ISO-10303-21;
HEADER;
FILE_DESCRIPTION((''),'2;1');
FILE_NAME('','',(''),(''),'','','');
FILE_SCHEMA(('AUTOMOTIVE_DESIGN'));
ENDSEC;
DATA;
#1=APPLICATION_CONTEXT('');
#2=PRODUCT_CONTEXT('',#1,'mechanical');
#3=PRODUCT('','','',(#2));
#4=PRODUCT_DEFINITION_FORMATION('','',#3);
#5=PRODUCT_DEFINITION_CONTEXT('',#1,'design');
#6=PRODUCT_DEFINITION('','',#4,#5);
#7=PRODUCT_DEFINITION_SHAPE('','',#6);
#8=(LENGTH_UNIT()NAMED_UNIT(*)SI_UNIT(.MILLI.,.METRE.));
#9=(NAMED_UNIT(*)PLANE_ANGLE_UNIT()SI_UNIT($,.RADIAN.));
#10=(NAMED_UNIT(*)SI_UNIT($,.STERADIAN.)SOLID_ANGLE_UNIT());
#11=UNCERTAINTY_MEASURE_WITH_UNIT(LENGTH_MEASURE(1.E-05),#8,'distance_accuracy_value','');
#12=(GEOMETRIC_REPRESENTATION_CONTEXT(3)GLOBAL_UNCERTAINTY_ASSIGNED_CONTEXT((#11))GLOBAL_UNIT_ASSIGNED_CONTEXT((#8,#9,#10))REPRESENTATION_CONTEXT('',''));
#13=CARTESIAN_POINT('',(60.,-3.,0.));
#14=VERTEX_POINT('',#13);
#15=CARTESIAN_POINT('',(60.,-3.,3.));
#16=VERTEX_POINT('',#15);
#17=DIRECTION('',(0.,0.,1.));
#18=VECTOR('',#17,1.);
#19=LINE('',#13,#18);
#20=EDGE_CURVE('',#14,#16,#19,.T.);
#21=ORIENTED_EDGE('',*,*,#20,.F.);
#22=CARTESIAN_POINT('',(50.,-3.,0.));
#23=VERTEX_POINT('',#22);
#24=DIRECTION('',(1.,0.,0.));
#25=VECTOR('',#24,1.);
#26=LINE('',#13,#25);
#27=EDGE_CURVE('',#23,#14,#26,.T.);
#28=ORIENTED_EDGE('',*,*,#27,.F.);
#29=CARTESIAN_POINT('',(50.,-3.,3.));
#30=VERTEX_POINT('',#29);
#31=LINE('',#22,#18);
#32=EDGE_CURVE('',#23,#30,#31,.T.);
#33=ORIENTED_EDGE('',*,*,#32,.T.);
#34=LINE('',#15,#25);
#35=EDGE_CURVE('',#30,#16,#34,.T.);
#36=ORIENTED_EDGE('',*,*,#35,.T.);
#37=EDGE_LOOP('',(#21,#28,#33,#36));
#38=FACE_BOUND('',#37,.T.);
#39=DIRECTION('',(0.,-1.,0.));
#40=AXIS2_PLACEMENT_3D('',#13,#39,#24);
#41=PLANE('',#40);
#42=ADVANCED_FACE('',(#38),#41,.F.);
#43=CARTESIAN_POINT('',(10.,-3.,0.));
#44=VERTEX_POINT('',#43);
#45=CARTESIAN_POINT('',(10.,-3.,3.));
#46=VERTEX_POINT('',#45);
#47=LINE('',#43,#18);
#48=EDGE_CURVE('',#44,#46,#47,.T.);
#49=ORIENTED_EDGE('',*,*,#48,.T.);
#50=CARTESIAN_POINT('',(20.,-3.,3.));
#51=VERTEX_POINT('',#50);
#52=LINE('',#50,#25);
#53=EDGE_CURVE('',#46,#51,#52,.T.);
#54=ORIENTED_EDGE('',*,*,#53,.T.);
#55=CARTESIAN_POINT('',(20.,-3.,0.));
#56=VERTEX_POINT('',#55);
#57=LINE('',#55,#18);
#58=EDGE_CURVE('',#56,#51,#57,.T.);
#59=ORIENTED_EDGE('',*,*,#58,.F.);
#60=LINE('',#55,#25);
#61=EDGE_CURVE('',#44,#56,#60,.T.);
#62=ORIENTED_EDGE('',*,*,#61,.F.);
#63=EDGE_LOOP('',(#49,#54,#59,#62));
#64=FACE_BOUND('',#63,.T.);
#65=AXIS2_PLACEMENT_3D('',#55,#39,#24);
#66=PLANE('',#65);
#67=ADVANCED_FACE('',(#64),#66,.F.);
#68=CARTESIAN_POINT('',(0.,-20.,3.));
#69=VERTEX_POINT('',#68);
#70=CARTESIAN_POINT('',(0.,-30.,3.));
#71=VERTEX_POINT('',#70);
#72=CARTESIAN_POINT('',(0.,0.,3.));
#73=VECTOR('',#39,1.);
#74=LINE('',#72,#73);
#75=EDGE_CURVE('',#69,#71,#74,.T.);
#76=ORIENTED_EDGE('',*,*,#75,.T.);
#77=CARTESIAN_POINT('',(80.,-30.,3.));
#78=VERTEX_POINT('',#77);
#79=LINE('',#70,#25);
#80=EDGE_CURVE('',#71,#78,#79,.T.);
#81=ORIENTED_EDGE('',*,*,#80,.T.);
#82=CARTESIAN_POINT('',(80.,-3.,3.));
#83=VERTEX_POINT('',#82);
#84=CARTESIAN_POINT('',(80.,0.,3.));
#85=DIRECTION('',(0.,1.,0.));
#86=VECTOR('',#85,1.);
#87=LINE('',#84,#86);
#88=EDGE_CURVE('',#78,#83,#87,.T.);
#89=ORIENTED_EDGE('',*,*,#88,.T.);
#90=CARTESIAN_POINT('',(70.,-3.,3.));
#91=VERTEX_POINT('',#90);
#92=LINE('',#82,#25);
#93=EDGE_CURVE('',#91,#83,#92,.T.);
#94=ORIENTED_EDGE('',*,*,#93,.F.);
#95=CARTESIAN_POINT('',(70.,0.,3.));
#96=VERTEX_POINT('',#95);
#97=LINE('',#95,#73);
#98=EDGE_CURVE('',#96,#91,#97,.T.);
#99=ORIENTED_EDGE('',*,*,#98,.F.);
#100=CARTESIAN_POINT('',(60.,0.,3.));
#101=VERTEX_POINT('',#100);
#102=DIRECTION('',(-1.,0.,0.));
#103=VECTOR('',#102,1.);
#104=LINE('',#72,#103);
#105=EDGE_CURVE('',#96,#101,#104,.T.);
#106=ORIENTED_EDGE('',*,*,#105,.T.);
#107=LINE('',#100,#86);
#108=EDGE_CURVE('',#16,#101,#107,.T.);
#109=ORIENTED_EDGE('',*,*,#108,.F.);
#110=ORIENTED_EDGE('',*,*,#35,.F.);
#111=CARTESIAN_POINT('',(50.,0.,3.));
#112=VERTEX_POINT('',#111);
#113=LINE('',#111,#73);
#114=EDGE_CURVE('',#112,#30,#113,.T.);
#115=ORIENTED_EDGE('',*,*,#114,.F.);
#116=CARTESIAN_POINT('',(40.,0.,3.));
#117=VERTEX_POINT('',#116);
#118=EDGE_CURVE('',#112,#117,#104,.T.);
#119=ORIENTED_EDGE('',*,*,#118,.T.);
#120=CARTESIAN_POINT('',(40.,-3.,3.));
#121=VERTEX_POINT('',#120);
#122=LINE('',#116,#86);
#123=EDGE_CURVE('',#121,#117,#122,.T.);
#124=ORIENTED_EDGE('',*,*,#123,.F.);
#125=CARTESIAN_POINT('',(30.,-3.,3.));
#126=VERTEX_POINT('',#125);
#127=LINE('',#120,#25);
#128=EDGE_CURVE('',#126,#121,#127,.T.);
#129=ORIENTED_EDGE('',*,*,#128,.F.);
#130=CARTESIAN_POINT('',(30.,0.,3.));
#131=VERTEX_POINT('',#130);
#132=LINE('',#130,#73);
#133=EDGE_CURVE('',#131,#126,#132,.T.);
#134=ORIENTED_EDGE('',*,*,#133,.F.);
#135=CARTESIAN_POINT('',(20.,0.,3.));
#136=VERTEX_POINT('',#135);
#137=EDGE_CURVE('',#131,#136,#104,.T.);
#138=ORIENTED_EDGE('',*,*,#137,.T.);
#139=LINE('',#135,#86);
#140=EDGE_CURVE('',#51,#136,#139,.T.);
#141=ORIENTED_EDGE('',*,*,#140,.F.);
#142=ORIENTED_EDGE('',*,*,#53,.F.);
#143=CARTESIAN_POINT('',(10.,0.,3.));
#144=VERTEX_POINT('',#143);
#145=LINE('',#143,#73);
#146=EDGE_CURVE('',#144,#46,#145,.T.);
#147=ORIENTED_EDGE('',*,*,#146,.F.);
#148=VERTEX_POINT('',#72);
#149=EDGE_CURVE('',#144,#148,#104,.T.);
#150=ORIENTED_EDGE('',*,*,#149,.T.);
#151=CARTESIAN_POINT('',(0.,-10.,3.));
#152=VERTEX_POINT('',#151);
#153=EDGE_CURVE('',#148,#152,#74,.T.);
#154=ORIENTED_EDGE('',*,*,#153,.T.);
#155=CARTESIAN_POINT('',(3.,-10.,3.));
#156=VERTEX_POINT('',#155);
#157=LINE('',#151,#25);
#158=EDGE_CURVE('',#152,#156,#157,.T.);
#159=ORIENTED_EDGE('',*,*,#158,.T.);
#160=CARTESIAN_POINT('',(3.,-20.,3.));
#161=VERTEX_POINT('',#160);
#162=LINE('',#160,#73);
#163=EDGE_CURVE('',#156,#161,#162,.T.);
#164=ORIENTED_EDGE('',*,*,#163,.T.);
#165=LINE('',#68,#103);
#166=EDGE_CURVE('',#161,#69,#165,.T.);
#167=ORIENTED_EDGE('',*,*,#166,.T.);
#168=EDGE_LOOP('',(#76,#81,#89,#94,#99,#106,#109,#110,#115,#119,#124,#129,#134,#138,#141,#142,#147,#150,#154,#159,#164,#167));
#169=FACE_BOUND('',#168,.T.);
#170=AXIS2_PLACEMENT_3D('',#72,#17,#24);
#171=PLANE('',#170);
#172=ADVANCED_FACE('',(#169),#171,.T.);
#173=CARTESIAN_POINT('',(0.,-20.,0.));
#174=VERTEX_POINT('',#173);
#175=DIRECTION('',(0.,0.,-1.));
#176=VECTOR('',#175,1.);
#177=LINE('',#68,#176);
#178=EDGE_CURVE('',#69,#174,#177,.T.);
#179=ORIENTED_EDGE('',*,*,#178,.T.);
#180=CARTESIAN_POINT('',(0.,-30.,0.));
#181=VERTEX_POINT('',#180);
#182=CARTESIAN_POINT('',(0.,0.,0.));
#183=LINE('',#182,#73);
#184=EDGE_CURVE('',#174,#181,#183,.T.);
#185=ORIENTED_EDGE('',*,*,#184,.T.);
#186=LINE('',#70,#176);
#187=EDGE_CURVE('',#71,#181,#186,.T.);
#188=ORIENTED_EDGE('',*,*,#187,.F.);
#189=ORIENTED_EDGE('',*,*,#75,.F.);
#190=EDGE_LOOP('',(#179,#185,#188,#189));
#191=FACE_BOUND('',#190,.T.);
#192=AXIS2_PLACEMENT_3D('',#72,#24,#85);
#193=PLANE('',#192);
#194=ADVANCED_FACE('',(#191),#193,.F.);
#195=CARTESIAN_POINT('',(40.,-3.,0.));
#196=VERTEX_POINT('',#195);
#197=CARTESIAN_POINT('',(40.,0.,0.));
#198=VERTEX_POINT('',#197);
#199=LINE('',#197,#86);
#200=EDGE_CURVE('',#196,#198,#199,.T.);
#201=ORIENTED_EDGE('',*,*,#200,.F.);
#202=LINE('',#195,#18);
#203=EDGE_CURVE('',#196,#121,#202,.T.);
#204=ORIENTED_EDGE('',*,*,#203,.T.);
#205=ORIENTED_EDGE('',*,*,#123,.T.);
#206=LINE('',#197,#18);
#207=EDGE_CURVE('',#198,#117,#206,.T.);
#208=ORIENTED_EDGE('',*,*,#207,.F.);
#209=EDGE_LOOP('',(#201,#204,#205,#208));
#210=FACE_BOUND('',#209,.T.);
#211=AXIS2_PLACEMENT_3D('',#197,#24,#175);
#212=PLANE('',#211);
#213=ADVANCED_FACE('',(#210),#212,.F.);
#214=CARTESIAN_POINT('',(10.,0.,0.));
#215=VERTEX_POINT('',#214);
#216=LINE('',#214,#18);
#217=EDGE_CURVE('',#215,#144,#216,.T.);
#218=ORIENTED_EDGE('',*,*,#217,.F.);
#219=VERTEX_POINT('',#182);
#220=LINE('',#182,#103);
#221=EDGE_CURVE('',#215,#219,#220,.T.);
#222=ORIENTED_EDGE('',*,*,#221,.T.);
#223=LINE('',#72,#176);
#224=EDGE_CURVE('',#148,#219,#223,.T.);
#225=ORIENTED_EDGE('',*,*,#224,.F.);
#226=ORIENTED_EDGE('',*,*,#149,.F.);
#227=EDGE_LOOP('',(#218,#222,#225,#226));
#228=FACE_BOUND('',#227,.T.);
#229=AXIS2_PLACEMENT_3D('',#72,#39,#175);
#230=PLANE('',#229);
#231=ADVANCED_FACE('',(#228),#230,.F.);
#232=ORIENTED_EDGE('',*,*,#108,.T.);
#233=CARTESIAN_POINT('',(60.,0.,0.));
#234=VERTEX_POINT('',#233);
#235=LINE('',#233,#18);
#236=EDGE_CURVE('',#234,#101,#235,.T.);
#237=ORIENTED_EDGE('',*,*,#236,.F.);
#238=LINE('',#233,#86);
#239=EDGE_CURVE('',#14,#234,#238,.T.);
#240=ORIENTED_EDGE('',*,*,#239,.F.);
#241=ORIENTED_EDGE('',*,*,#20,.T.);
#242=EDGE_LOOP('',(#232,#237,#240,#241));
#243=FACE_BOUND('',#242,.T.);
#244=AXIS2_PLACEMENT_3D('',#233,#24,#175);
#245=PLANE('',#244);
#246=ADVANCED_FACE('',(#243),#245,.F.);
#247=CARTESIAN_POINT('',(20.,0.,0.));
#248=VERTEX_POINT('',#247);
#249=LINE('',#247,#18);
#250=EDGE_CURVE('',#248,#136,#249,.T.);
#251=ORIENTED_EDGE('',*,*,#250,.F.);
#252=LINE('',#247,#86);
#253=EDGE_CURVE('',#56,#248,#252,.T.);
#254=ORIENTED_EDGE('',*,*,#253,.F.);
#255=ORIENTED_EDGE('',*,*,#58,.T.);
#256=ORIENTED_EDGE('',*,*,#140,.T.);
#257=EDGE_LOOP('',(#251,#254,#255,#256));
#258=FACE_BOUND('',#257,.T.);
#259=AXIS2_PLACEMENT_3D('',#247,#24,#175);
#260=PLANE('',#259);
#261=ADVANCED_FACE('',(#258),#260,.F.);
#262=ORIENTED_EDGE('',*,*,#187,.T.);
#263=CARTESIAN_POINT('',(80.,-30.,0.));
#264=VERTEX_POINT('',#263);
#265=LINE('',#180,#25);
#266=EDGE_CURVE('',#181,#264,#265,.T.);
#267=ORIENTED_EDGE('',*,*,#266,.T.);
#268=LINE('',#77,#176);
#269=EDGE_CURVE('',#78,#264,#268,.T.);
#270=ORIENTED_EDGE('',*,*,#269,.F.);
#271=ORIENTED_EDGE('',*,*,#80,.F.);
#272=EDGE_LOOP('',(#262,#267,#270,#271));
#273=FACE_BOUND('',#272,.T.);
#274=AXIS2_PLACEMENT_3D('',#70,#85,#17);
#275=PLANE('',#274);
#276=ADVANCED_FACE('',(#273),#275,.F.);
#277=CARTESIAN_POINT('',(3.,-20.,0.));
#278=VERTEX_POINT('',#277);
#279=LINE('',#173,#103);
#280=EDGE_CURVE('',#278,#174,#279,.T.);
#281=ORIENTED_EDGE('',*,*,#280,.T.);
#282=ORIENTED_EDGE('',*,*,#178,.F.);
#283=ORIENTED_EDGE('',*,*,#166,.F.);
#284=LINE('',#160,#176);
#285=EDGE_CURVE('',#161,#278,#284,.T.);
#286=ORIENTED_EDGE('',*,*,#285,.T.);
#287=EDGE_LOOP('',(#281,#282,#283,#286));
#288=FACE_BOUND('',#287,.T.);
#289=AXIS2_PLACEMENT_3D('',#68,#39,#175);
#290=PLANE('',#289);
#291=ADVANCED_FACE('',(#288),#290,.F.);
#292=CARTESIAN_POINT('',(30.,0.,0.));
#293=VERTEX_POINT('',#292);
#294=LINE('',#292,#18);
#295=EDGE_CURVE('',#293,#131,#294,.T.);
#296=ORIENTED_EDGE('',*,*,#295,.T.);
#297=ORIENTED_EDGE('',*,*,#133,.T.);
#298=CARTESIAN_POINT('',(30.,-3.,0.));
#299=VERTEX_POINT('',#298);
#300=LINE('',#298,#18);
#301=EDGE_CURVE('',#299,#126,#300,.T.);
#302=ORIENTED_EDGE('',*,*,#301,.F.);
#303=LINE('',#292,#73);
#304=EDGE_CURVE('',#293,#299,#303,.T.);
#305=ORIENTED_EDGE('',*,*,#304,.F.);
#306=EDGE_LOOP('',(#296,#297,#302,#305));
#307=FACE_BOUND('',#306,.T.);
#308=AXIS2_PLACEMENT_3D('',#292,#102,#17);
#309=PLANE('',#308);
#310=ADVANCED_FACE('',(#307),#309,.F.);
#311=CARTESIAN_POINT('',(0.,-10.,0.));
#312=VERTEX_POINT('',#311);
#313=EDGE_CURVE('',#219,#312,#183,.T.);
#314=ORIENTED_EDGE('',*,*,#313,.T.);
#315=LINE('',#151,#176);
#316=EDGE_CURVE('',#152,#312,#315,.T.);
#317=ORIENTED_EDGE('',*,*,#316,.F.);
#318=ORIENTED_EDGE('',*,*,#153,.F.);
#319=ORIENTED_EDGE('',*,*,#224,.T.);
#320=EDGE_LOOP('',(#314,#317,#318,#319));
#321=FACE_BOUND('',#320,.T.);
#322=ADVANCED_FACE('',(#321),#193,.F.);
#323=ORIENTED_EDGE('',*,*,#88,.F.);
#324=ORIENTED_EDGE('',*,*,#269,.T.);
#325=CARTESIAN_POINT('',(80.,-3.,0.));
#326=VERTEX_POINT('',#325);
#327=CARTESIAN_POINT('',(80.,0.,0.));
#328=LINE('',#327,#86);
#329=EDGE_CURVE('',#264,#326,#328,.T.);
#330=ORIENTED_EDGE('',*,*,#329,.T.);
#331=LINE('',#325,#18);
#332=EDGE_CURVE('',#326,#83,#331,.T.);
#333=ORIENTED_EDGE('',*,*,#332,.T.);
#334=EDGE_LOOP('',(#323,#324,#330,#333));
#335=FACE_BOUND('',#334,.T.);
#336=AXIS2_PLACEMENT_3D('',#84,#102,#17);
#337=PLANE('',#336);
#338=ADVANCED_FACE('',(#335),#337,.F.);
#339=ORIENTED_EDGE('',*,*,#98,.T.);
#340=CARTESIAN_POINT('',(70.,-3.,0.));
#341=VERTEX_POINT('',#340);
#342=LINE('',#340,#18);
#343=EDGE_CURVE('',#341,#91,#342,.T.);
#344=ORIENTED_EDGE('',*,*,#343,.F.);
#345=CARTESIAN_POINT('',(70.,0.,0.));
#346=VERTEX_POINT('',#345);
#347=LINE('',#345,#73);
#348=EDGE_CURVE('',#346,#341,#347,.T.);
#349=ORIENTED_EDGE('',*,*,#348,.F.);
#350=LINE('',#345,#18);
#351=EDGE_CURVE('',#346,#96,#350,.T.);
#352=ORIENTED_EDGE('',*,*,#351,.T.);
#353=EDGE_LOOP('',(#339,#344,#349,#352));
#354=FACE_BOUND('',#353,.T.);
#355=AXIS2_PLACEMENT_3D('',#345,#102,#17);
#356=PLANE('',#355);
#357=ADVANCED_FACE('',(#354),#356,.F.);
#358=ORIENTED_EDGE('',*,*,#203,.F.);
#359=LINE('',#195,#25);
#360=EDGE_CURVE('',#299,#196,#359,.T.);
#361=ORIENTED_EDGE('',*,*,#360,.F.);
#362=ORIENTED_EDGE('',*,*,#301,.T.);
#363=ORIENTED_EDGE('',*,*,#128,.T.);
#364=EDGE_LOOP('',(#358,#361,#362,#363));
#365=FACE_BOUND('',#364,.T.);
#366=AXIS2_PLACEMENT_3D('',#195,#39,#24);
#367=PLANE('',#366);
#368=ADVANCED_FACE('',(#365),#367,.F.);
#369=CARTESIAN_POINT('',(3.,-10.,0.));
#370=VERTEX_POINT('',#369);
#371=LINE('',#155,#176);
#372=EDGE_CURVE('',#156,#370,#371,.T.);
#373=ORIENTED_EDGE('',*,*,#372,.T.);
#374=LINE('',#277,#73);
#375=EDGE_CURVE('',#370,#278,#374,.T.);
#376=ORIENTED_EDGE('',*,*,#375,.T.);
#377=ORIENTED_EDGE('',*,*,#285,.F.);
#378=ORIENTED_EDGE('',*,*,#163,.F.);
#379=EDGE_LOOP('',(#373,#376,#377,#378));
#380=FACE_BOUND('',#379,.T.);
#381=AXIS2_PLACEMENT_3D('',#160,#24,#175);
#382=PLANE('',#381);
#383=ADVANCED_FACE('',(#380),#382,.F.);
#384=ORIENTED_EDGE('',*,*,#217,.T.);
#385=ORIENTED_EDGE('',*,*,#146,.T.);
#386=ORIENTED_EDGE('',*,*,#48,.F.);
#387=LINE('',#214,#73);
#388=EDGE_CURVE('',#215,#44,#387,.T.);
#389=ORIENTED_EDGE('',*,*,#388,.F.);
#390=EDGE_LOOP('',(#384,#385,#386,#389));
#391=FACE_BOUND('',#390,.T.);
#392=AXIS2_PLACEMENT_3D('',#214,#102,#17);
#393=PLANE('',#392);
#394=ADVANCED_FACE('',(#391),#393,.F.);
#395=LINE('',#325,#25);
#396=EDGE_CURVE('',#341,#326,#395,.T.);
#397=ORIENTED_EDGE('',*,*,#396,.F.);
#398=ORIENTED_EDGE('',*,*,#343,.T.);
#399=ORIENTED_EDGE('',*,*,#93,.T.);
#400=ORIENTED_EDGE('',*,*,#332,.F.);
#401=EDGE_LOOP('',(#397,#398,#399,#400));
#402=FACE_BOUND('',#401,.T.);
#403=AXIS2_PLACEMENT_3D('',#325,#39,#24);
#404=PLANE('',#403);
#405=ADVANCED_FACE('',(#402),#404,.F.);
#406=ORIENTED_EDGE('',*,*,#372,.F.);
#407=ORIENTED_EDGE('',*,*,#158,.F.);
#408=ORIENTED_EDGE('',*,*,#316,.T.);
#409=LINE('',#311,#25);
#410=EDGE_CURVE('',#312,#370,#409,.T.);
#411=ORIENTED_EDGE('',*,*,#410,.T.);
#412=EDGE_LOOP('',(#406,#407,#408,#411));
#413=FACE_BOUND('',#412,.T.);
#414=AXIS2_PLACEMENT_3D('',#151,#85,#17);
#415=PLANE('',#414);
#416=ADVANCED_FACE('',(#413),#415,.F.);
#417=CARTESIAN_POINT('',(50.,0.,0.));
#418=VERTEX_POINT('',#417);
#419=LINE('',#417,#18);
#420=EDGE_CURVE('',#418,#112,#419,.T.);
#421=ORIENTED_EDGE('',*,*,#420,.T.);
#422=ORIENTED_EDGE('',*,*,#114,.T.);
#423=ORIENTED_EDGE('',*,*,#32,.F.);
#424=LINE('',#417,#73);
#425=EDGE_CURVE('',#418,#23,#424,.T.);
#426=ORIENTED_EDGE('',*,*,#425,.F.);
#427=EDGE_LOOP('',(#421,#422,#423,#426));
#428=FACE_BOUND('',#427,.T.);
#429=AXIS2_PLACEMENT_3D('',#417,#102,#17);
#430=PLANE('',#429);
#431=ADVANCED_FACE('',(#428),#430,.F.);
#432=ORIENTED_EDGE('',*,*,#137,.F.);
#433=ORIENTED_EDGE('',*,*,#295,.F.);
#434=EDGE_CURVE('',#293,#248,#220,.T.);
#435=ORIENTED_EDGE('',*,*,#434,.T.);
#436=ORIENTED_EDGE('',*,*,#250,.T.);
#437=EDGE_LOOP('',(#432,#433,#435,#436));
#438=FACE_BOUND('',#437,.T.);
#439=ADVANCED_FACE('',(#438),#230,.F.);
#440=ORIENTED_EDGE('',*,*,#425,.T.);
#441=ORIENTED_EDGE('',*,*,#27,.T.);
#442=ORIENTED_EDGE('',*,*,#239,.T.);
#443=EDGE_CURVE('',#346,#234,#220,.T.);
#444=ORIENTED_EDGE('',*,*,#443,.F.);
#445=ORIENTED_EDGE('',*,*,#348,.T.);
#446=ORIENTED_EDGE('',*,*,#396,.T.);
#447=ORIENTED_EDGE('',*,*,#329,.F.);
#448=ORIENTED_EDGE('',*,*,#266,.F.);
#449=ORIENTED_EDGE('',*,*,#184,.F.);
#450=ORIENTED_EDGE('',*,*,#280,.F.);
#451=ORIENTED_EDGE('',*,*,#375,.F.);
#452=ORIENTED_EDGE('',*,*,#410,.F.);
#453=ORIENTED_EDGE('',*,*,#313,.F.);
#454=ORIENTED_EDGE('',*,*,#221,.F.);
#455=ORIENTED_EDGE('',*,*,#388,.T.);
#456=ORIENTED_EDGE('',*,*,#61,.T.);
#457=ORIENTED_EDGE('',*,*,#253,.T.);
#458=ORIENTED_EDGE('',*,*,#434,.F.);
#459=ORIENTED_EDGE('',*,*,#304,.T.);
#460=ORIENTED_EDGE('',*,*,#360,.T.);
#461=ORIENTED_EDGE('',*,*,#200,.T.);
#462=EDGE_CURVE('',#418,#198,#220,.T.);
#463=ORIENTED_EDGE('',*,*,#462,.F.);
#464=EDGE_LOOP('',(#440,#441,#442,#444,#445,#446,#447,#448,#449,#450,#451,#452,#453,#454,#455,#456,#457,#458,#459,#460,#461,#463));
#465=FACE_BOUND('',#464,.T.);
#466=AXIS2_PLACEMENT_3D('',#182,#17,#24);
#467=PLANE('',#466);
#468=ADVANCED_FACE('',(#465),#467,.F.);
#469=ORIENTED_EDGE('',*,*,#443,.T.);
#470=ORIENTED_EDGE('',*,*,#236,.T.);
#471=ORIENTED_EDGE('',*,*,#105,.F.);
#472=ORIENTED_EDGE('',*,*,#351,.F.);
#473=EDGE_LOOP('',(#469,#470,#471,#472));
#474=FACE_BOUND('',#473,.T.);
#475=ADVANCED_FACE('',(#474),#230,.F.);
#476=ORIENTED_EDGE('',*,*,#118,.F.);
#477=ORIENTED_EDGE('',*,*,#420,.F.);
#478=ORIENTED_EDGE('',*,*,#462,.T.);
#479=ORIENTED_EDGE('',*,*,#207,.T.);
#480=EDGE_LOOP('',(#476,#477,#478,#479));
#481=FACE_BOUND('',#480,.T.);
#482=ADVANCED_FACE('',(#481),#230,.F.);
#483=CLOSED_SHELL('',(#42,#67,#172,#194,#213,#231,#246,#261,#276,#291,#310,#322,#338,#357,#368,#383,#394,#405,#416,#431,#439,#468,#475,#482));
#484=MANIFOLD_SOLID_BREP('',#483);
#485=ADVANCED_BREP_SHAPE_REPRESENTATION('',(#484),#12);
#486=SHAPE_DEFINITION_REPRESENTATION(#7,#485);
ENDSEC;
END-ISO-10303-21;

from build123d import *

# Parameters (mm, degrees)
ESQUISSE1_W                = 80
ESQUISSE1_H                = 30
BOSS_EXTRU_1_DEPTH         = 3
ESQUISSE2_W                = 10
ESQUISSE2_H                = 3
ENL_V_MAT_EXTRU_1_DEPTH    = 3
R_P_TITION_LIN_AIRE1_COUNT = 4
R_P_TITION_LIN_AIRE1_PITCH = 20
ESQUISSE3_W                = 3
ESQUISSE3_H                = 10
ENL_V_MAT_EXTRU_2_DEPTH    = 3


with BuildPart() as part:
    # Esquisse1 → Boss.-Extru.1 (new body)
    with BuildSketch(Plane.XY):
        with Locations((40, -15)):
            Rectangle(ESQUISSE1_W, ESQUISSE1_H)
    extrude(amount=BOSS_EXTRU_1_DEPTH)

    # Esquisse2 → Enlèv. mat.-Extru.1 (cut)
    with BuildSketch(Plane.XY.offset(3)):
        with Locations((75, -1.5)):
            Rectangle(ESQUISSE2_W, ESQUISSE2_H)
    enl_v_mat_extru_1 = extrude(amount=-ENL_V_MAT_EXTRU_1_DEPTH, mode=Mode.SUBTRACT)

    # Répétition linéaire1: Enlèv. mat.-Extru.1 ×4
    with Locations(*[(-i * R_P_TITION_LIN_AIRE1_PITCH, 0, 0) for i in range(1, R_P_TITION_LIN_AIRE1_COUNT)]):
        add(enl_v_mat_extru_1, mode=Mode.SUBTRACT)

    # Esquisse3 → Enlèv. mat.-Extru.2 (cut)
    with BuildSketch(Plane(origin=(0, 0, 0), x_dir=(-1, 0, 0), z_dir=(0, 0, -1))):
        with Locations((-1.5, -15)):
            Rectangle(ESQUISSE3_W, ESQUISSE3_H)
    extrude(amount=-ENL_V_MAT_EXTRU_2_DEPTH, mode=Mode.SUBTRACT)


solid = part.part
